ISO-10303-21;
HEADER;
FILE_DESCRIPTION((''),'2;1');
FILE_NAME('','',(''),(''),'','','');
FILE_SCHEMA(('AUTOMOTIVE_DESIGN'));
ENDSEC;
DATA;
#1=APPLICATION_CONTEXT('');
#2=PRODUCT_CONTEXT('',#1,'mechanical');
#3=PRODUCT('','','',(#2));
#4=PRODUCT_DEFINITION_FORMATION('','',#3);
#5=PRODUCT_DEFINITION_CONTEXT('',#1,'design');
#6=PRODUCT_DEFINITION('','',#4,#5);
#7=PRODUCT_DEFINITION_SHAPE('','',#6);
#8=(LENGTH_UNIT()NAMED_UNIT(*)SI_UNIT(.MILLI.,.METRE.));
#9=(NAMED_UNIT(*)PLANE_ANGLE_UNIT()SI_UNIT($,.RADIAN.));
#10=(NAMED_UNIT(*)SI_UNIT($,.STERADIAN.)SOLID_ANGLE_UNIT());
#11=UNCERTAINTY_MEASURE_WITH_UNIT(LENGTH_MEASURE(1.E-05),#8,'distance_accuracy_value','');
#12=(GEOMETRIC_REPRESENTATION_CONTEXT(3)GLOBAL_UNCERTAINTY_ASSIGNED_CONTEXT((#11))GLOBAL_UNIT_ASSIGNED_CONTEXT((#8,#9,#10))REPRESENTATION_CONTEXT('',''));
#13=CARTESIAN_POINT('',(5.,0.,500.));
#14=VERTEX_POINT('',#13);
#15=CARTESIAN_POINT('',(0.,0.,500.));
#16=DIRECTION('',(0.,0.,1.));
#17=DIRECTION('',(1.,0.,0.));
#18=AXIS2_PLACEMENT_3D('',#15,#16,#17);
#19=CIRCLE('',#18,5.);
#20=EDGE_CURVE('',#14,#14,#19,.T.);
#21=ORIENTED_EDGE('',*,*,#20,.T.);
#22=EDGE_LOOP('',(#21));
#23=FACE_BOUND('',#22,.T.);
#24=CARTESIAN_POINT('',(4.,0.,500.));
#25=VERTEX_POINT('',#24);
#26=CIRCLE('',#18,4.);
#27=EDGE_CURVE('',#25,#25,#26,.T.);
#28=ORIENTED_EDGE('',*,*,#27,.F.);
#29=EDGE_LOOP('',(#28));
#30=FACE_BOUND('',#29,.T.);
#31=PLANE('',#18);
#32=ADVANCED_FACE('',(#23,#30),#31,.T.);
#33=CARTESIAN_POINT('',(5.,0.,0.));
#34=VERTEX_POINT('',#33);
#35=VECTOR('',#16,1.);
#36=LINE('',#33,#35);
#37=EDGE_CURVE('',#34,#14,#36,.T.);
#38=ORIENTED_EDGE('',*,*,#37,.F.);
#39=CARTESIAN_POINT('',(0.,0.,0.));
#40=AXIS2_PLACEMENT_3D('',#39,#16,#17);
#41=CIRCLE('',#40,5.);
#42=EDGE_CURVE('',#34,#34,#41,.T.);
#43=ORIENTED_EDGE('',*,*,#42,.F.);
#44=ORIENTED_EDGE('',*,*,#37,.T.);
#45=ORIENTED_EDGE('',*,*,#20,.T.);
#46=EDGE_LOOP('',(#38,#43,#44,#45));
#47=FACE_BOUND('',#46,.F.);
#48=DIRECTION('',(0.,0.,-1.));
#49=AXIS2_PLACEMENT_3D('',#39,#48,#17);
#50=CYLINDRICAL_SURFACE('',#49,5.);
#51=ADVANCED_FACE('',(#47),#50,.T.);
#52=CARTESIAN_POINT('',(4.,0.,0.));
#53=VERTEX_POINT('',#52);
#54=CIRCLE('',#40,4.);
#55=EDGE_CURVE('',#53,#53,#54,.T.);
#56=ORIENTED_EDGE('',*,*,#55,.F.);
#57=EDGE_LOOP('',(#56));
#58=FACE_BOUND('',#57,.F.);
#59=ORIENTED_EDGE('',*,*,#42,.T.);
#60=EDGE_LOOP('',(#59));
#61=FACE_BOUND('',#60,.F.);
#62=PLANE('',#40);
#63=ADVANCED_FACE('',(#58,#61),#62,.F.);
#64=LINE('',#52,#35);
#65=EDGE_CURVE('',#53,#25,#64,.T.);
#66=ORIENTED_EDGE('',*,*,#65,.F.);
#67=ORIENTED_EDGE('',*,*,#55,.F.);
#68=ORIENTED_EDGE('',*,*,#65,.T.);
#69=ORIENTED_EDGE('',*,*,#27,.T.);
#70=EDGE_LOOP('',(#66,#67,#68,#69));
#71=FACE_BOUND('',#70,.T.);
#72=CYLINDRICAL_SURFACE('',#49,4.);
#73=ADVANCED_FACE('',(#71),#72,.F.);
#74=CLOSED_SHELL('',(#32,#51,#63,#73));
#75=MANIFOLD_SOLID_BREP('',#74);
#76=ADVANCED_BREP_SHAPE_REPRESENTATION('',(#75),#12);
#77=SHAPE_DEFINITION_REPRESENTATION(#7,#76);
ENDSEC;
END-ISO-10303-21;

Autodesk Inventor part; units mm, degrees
ref_plane "YZ Plane" through (0, 0, 0) normal (1, 0, 0) x (0, 1, 0)
ref_plane "XZ Plane" through (0, 0, 0) normal (0, 1, 0) x (-1, 0, 0)
ref_plane "XY Plane" through (0, 0, 0) normal (0, 0, 1) x (1, 0, 0)
sketch "Sketch1" plane through (0, 0, 0) normal (0, 0, 1) x (1, 0, 0)
  circle A0 centre (0, 0) radius 5
  circle A1 centre (0, 0) radius 4
  dimension "d0" = 10
  dimension "d1" = 8
extrude "Extrusion1" add sketch "Sketch1" along normal blind 500
properties part number "Wingspar pół metra"
